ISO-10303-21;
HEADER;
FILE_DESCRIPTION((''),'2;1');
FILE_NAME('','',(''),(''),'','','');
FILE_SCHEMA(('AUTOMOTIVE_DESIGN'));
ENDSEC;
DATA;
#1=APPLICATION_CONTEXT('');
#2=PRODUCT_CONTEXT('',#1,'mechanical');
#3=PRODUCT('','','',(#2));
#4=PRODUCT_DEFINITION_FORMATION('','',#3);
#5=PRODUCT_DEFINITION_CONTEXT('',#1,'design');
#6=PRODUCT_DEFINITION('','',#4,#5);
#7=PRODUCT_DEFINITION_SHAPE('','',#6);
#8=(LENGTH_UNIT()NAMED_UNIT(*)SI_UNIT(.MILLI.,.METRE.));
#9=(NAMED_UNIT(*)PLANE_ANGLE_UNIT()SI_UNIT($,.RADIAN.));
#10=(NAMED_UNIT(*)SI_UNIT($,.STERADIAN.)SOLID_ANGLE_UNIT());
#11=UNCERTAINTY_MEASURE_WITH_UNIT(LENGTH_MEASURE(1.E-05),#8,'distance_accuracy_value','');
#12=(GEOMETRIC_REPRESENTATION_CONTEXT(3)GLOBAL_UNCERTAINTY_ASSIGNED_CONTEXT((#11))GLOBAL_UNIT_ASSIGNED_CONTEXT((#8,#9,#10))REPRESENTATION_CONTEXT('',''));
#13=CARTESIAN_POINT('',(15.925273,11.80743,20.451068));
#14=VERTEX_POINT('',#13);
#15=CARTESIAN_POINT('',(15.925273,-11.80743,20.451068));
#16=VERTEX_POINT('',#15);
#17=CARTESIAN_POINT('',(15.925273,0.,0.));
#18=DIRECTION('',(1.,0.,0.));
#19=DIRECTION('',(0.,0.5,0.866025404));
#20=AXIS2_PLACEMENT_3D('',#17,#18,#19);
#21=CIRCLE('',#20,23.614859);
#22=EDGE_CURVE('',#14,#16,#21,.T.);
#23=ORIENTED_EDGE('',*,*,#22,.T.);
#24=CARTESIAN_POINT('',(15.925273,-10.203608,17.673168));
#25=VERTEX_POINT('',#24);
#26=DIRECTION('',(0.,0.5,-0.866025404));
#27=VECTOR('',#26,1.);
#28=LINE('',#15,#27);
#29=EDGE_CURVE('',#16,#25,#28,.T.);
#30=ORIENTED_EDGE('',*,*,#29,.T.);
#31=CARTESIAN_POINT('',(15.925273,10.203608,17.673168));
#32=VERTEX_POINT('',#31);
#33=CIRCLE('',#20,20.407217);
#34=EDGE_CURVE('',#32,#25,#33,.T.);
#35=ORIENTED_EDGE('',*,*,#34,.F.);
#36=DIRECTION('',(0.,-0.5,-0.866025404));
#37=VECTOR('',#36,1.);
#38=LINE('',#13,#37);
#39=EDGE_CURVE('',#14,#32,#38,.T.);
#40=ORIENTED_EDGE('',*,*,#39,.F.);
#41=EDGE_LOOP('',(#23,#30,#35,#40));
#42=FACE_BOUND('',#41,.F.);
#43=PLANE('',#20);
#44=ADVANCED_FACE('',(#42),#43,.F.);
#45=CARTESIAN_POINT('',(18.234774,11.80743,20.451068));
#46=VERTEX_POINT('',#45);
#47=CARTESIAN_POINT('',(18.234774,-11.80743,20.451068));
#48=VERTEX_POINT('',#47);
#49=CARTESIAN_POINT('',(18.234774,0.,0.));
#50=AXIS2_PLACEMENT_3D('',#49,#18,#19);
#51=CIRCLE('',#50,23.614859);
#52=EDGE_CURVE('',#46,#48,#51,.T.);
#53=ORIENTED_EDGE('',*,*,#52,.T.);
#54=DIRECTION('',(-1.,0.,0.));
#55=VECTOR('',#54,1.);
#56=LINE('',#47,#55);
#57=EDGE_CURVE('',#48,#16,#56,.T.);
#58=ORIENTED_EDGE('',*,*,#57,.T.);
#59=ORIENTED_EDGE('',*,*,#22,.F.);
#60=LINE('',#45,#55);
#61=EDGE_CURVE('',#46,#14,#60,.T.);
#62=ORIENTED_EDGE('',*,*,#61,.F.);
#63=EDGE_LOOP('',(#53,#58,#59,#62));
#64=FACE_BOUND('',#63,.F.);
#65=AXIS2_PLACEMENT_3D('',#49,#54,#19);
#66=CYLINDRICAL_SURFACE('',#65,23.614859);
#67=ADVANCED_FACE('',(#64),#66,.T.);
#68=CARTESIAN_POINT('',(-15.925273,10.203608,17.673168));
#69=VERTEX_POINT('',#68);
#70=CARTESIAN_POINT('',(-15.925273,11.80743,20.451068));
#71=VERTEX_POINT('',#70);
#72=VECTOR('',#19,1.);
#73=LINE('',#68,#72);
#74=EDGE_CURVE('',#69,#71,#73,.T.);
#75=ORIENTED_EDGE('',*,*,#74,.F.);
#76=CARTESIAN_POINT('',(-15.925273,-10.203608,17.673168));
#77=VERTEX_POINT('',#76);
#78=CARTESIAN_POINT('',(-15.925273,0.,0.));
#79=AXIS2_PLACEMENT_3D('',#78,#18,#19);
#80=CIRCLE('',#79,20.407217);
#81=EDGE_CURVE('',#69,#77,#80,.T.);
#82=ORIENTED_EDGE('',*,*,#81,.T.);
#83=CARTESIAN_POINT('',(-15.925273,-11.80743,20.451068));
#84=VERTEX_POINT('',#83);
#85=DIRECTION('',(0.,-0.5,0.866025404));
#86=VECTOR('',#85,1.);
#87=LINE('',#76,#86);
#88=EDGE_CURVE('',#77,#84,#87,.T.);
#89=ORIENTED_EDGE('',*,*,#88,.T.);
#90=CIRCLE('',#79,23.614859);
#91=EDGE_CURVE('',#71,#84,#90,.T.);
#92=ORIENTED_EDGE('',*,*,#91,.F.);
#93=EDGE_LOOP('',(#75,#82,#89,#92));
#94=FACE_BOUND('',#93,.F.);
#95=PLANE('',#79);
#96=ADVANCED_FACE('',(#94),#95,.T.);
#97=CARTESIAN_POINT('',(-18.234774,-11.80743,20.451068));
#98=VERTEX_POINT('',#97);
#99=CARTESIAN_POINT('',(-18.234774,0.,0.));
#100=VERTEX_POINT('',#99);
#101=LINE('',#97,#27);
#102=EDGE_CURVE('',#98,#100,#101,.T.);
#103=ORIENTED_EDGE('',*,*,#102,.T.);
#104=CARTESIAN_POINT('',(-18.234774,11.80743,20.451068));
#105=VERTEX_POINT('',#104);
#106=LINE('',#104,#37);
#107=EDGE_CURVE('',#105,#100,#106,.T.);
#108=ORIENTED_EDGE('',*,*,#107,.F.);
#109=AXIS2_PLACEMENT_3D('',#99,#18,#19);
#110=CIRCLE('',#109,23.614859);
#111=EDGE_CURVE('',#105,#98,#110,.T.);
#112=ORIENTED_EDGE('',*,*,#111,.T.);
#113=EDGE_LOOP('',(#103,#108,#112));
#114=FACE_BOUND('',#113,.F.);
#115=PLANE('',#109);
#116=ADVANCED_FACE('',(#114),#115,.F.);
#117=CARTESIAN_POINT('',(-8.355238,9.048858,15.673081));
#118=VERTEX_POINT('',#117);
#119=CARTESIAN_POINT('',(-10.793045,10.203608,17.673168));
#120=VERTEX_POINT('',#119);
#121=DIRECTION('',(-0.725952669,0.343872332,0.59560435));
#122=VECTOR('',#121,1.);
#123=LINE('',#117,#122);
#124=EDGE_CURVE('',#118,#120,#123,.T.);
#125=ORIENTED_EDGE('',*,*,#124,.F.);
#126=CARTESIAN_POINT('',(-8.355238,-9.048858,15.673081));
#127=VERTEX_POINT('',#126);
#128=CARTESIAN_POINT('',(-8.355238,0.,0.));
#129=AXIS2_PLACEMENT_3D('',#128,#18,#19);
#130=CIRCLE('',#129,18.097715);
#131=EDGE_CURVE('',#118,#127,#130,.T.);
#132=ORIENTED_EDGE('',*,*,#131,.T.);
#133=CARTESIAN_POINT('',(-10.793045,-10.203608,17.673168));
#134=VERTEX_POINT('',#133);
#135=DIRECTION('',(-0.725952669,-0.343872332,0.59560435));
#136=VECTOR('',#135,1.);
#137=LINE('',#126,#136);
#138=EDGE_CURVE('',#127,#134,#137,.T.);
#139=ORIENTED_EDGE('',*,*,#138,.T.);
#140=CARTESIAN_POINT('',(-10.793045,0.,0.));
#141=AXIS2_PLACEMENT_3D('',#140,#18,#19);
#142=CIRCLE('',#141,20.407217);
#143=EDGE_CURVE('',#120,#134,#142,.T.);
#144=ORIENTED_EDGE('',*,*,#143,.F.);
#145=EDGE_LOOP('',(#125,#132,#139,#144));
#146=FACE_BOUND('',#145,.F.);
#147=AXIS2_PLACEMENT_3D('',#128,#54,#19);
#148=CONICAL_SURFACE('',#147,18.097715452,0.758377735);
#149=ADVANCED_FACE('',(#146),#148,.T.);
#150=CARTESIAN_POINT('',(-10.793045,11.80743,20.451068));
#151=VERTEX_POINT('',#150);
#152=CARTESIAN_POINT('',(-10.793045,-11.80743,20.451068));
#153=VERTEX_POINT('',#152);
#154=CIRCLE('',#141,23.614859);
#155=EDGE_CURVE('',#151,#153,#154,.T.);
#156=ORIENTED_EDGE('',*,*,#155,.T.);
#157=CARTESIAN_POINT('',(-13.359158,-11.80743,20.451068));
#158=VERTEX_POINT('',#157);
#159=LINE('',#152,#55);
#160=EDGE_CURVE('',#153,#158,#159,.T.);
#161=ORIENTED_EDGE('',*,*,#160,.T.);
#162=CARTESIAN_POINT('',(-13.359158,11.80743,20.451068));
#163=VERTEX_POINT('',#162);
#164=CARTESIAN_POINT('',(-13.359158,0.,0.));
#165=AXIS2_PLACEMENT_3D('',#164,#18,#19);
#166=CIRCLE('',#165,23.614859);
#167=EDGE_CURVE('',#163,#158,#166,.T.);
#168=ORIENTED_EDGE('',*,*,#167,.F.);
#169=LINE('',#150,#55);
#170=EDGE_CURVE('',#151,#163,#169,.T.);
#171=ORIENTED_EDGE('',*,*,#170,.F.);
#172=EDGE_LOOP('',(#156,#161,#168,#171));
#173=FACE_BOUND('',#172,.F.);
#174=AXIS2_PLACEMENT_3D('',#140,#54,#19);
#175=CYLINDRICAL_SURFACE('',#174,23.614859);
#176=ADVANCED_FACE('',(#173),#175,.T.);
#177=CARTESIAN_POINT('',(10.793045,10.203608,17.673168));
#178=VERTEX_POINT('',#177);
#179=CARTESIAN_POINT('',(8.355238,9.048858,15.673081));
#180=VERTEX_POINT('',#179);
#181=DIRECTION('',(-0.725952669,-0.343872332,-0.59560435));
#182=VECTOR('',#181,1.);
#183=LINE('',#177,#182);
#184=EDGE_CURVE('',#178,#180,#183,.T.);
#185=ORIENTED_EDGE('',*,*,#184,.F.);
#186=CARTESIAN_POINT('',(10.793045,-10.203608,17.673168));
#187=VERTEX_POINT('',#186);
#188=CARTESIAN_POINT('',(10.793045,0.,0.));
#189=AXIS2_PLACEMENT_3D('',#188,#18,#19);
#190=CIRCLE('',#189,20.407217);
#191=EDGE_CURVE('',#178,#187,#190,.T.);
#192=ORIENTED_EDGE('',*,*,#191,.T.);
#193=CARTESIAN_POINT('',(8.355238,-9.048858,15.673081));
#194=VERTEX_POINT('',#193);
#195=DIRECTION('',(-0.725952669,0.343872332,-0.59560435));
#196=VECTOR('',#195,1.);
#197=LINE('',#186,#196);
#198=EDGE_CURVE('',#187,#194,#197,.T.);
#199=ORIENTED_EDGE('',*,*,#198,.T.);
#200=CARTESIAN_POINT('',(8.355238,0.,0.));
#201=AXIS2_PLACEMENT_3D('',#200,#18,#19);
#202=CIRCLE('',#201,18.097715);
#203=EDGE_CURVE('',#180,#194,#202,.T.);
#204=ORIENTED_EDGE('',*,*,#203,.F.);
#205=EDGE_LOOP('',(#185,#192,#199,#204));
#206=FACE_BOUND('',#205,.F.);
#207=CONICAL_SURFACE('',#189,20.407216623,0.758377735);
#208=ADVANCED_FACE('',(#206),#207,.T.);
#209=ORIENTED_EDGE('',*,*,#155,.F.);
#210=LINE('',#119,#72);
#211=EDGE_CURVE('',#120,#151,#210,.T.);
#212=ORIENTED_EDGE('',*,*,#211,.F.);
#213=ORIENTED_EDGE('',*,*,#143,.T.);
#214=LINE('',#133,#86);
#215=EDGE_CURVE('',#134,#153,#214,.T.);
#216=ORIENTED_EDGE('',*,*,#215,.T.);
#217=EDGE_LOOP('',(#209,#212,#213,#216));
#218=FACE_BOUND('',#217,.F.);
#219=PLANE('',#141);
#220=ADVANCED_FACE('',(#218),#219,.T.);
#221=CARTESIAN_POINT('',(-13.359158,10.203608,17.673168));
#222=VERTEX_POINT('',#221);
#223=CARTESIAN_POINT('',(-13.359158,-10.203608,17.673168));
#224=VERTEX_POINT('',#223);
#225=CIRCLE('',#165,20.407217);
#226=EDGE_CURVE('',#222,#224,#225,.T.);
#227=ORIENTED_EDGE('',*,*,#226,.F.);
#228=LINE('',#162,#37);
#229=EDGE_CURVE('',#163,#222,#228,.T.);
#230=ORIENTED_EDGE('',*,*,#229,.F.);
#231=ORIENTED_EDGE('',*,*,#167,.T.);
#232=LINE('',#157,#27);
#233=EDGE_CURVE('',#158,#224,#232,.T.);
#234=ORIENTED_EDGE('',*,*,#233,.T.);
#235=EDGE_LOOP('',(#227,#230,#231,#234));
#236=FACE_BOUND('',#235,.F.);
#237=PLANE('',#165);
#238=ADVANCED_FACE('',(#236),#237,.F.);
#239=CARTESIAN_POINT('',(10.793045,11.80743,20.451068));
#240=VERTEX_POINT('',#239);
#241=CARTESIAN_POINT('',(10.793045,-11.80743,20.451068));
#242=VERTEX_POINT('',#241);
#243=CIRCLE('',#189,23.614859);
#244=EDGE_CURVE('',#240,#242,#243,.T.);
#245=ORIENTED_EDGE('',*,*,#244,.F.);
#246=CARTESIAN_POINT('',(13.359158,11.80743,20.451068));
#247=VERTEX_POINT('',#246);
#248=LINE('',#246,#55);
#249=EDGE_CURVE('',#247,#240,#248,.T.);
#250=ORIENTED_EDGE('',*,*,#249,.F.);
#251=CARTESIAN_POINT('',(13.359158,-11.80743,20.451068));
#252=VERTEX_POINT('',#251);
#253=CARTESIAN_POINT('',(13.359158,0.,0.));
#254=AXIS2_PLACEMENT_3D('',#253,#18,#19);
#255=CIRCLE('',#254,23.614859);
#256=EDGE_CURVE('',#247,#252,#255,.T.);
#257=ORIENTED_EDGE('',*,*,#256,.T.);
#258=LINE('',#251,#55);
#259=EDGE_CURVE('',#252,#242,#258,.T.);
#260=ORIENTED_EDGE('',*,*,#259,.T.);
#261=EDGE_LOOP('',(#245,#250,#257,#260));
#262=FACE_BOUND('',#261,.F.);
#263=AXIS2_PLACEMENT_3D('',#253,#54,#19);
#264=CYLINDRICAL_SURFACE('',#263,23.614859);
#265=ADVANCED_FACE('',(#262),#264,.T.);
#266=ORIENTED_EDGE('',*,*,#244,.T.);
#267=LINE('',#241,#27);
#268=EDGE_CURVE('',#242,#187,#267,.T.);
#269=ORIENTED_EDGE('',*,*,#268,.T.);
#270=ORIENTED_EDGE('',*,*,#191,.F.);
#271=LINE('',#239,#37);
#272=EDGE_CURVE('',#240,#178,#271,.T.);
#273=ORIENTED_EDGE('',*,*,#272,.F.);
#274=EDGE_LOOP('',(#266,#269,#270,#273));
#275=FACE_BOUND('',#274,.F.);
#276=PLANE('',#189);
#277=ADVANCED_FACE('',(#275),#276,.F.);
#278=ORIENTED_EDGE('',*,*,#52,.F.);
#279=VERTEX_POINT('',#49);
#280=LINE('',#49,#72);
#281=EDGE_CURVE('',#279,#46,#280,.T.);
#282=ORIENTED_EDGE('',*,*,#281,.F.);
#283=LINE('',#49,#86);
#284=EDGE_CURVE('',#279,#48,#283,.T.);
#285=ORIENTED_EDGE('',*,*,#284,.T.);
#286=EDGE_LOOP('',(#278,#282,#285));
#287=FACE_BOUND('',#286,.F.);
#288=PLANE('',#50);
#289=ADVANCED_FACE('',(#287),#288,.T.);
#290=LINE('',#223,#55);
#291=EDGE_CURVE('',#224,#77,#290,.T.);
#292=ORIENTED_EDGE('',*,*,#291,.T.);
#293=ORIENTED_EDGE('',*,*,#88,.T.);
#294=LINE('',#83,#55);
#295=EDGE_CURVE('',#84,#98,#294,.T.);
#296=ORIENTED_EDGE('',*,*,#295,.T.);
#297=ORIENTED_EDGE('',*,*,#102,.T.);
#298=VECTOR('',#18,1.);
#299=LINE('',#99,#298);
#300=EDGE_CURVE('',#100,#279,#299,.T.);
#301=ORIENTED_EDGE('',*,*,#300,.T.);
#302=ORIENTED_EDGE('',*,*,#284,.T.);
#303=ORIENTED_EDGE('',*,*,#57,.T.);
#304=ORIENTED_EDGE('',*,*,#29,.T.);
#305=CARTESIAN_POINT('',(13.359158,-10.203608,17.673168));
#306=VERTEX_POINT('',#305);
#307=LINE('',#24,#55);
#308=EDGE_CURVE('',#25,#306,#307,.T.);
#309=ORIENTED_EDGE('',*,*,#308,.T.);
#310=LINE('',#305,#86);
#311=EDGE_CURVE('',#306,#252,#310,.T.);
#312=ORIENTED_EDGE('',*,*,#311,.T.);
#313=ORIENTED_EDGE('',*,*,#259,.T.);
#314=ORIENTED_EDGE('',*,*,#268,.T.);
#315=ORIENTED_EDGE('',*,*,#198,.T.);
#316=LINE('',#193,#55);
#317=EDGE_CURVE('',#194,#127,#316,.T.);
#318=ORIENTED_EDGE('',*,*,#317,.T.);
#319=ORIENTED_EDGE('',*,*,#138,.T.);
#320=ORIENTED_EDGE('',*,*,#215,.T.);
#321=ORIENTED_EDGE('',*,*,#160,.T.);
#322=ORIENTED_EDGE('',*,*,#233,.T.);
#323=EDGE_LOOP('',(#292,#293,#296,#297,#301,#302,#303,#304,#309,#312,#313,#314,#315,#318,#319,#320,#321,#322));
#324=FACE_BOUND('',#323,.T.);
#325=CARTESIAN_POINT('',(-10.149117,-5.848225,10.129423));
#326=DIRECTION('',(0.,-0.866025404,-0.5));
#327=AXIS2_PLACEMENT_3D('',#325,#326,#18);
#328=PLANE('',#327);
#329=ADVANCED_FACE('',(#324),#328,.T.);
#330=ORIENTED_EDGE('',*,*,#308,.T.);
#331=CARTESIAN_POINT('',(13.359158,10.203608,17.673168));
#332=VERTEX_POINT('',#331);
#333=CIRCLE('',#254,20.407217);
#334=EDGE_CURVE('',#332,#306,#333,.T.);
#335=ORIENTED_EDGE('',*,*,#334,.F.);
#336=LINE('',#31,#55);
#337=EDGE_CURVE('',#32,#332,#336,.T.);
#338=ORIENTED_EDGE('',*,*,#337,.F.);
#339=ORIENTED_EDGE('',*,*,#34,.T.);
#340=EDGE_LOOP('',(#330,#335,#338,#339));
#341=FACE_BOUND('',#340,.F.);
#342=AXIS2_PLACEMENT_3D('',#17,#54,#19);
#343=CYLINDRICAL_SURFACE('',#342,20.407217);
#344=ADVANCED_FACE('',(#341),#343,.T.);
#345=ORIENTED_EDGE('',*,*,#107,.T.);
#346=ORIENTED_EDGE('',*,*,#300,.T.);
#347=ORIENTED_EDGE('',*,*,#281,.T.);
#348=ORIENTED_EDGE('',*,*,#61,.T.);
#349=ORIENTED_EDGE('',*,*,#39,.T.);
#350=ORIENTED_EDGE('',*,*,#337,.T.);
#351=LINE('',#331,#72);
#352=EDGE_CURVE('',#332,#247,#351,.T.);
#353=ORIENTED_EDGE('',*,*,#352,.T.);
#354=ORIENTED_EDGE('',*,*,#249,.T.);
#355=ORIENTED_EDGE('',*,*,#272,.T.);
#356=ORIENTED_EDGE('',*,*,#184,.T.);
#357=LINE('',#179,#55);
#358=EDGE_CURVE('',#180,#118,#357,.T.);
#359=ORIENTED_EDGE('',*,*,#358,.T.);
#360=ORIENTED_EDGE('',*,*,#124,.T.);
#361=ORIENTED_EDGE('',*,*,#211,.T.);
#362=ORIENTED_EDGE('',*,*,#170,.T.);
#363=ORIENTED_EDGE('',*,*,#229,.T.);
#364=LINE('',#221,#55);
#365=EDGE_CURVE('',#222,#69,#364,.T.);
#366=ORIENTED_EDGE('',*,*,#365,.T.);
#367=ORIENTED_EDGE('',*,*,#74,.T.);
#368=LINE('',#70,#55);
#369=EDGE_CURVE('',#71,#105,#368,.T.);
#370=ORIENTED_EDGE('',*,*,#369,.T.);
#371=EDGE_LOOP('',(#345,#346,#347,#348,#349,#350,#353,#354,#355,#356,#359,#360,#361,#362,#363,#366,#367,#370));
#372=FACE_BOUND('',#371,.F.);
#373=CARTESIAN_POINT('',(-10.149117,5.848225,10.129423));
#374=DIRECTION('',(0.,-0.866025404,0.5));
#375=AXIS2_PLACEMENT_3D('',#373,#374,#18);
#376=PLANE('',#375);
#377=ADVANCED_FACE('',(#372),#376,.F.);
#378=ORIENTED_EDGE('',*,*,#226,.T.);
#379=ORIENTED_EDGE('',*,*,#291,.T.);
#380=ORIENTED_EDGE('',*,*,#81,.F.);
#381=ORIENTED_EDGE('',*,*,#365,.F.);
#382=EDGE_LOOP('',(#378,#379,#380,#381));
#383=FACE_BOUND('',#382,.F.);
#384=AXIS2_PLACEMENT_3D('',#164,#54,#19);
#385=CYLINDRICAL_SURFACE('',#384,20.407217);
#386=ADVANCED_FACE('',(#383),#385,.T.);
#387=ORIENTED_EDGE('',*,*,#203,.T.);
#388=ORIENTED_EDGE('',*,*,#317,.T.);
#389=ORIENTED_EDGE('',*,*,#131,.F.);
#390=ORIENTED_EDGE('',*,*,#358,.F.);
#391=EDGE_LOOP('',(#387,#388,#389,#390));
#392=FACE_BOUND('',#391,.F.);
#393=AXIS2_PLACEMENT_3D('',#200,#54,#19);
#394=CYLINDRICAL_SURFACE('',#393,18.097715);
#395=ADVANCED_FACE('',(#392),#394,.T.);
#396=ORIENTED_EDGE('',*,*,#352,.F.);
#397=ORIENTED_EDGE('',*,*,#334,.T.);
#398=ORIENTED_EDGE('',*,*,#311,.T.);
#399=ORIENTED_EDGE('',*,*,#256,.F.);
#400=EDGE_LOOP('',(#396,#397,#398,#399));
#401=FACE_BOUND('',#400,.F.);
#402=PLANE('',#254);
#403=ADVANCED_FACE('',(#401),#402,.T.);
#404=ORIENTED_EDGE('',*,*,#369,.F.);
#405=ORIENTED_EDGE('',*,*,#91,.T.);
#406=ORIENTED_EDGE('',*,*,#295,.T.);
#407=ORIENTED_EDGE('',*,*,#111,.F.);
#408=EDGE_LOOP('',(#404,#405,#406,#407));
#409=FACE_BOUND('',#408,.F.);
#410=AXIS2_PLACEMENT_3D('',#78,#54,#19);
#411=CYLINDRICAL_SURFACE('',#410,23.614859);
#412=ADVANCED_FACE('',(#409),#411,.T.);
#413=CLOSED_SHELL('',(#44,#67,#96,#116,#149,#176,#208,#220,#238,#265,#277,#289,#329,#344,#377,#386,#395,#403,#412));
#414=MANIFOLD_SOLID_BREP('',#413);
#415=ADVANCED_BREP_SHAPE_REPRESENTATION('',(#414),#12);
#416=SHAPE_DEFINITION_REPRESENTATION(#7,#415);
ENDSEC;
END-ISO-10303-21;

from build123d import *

# Parameters (mm, degrees)
F1_ANGLE_BACK = 30
F1_ANGLE      = 60


with BuildPart() as f1:
    # F0 (on Front) → F1 (revolve)
    with BuildSketch(Plane.XZ, mode=Mode.PRIVATE) as f1_sk:
        Polygon((-18.2347744703, 0), (0, 0), (0, 18.0977154523), (-8.3552384749, 18.0977154523), (-10.7930451632, 20.4072166234), (-10.7930451632, 23.6148592085), (-13.3591582999, 23.6148592085), (-13.3591582999, 20.4072166234), (-15.9252732992, 20.4072166234), (-15.9252732992, 23.6148592085), (-18.2347744703, 23.6148592085), align=None)
        Polygon((0, 18.0977154523), (0, 0), (18.2347744703, 0), (18.2347744703, 23.6148592085), (15.9252732992, 23.6148592085), (15.9252732992, 20.4072166234), (13.3591582999, 20.4072166234), (13.3591582999, 23.6148592085), (10.7930451632, 23.6148592085), (10.7930451632, 20.4072166234), (8.3552384749, 18.0977154523), align=None)
    revolve(f1_sk.sketch.rotate(Axis((9.1173872352, 0, 0), (1, 0, 0)), -F1_ANGLE_BACK), axis=Axis((9.1173872352, 0, 0), (1, 0, 0)), revolution_arc=F1_ANGLE)


solid = f1.part
